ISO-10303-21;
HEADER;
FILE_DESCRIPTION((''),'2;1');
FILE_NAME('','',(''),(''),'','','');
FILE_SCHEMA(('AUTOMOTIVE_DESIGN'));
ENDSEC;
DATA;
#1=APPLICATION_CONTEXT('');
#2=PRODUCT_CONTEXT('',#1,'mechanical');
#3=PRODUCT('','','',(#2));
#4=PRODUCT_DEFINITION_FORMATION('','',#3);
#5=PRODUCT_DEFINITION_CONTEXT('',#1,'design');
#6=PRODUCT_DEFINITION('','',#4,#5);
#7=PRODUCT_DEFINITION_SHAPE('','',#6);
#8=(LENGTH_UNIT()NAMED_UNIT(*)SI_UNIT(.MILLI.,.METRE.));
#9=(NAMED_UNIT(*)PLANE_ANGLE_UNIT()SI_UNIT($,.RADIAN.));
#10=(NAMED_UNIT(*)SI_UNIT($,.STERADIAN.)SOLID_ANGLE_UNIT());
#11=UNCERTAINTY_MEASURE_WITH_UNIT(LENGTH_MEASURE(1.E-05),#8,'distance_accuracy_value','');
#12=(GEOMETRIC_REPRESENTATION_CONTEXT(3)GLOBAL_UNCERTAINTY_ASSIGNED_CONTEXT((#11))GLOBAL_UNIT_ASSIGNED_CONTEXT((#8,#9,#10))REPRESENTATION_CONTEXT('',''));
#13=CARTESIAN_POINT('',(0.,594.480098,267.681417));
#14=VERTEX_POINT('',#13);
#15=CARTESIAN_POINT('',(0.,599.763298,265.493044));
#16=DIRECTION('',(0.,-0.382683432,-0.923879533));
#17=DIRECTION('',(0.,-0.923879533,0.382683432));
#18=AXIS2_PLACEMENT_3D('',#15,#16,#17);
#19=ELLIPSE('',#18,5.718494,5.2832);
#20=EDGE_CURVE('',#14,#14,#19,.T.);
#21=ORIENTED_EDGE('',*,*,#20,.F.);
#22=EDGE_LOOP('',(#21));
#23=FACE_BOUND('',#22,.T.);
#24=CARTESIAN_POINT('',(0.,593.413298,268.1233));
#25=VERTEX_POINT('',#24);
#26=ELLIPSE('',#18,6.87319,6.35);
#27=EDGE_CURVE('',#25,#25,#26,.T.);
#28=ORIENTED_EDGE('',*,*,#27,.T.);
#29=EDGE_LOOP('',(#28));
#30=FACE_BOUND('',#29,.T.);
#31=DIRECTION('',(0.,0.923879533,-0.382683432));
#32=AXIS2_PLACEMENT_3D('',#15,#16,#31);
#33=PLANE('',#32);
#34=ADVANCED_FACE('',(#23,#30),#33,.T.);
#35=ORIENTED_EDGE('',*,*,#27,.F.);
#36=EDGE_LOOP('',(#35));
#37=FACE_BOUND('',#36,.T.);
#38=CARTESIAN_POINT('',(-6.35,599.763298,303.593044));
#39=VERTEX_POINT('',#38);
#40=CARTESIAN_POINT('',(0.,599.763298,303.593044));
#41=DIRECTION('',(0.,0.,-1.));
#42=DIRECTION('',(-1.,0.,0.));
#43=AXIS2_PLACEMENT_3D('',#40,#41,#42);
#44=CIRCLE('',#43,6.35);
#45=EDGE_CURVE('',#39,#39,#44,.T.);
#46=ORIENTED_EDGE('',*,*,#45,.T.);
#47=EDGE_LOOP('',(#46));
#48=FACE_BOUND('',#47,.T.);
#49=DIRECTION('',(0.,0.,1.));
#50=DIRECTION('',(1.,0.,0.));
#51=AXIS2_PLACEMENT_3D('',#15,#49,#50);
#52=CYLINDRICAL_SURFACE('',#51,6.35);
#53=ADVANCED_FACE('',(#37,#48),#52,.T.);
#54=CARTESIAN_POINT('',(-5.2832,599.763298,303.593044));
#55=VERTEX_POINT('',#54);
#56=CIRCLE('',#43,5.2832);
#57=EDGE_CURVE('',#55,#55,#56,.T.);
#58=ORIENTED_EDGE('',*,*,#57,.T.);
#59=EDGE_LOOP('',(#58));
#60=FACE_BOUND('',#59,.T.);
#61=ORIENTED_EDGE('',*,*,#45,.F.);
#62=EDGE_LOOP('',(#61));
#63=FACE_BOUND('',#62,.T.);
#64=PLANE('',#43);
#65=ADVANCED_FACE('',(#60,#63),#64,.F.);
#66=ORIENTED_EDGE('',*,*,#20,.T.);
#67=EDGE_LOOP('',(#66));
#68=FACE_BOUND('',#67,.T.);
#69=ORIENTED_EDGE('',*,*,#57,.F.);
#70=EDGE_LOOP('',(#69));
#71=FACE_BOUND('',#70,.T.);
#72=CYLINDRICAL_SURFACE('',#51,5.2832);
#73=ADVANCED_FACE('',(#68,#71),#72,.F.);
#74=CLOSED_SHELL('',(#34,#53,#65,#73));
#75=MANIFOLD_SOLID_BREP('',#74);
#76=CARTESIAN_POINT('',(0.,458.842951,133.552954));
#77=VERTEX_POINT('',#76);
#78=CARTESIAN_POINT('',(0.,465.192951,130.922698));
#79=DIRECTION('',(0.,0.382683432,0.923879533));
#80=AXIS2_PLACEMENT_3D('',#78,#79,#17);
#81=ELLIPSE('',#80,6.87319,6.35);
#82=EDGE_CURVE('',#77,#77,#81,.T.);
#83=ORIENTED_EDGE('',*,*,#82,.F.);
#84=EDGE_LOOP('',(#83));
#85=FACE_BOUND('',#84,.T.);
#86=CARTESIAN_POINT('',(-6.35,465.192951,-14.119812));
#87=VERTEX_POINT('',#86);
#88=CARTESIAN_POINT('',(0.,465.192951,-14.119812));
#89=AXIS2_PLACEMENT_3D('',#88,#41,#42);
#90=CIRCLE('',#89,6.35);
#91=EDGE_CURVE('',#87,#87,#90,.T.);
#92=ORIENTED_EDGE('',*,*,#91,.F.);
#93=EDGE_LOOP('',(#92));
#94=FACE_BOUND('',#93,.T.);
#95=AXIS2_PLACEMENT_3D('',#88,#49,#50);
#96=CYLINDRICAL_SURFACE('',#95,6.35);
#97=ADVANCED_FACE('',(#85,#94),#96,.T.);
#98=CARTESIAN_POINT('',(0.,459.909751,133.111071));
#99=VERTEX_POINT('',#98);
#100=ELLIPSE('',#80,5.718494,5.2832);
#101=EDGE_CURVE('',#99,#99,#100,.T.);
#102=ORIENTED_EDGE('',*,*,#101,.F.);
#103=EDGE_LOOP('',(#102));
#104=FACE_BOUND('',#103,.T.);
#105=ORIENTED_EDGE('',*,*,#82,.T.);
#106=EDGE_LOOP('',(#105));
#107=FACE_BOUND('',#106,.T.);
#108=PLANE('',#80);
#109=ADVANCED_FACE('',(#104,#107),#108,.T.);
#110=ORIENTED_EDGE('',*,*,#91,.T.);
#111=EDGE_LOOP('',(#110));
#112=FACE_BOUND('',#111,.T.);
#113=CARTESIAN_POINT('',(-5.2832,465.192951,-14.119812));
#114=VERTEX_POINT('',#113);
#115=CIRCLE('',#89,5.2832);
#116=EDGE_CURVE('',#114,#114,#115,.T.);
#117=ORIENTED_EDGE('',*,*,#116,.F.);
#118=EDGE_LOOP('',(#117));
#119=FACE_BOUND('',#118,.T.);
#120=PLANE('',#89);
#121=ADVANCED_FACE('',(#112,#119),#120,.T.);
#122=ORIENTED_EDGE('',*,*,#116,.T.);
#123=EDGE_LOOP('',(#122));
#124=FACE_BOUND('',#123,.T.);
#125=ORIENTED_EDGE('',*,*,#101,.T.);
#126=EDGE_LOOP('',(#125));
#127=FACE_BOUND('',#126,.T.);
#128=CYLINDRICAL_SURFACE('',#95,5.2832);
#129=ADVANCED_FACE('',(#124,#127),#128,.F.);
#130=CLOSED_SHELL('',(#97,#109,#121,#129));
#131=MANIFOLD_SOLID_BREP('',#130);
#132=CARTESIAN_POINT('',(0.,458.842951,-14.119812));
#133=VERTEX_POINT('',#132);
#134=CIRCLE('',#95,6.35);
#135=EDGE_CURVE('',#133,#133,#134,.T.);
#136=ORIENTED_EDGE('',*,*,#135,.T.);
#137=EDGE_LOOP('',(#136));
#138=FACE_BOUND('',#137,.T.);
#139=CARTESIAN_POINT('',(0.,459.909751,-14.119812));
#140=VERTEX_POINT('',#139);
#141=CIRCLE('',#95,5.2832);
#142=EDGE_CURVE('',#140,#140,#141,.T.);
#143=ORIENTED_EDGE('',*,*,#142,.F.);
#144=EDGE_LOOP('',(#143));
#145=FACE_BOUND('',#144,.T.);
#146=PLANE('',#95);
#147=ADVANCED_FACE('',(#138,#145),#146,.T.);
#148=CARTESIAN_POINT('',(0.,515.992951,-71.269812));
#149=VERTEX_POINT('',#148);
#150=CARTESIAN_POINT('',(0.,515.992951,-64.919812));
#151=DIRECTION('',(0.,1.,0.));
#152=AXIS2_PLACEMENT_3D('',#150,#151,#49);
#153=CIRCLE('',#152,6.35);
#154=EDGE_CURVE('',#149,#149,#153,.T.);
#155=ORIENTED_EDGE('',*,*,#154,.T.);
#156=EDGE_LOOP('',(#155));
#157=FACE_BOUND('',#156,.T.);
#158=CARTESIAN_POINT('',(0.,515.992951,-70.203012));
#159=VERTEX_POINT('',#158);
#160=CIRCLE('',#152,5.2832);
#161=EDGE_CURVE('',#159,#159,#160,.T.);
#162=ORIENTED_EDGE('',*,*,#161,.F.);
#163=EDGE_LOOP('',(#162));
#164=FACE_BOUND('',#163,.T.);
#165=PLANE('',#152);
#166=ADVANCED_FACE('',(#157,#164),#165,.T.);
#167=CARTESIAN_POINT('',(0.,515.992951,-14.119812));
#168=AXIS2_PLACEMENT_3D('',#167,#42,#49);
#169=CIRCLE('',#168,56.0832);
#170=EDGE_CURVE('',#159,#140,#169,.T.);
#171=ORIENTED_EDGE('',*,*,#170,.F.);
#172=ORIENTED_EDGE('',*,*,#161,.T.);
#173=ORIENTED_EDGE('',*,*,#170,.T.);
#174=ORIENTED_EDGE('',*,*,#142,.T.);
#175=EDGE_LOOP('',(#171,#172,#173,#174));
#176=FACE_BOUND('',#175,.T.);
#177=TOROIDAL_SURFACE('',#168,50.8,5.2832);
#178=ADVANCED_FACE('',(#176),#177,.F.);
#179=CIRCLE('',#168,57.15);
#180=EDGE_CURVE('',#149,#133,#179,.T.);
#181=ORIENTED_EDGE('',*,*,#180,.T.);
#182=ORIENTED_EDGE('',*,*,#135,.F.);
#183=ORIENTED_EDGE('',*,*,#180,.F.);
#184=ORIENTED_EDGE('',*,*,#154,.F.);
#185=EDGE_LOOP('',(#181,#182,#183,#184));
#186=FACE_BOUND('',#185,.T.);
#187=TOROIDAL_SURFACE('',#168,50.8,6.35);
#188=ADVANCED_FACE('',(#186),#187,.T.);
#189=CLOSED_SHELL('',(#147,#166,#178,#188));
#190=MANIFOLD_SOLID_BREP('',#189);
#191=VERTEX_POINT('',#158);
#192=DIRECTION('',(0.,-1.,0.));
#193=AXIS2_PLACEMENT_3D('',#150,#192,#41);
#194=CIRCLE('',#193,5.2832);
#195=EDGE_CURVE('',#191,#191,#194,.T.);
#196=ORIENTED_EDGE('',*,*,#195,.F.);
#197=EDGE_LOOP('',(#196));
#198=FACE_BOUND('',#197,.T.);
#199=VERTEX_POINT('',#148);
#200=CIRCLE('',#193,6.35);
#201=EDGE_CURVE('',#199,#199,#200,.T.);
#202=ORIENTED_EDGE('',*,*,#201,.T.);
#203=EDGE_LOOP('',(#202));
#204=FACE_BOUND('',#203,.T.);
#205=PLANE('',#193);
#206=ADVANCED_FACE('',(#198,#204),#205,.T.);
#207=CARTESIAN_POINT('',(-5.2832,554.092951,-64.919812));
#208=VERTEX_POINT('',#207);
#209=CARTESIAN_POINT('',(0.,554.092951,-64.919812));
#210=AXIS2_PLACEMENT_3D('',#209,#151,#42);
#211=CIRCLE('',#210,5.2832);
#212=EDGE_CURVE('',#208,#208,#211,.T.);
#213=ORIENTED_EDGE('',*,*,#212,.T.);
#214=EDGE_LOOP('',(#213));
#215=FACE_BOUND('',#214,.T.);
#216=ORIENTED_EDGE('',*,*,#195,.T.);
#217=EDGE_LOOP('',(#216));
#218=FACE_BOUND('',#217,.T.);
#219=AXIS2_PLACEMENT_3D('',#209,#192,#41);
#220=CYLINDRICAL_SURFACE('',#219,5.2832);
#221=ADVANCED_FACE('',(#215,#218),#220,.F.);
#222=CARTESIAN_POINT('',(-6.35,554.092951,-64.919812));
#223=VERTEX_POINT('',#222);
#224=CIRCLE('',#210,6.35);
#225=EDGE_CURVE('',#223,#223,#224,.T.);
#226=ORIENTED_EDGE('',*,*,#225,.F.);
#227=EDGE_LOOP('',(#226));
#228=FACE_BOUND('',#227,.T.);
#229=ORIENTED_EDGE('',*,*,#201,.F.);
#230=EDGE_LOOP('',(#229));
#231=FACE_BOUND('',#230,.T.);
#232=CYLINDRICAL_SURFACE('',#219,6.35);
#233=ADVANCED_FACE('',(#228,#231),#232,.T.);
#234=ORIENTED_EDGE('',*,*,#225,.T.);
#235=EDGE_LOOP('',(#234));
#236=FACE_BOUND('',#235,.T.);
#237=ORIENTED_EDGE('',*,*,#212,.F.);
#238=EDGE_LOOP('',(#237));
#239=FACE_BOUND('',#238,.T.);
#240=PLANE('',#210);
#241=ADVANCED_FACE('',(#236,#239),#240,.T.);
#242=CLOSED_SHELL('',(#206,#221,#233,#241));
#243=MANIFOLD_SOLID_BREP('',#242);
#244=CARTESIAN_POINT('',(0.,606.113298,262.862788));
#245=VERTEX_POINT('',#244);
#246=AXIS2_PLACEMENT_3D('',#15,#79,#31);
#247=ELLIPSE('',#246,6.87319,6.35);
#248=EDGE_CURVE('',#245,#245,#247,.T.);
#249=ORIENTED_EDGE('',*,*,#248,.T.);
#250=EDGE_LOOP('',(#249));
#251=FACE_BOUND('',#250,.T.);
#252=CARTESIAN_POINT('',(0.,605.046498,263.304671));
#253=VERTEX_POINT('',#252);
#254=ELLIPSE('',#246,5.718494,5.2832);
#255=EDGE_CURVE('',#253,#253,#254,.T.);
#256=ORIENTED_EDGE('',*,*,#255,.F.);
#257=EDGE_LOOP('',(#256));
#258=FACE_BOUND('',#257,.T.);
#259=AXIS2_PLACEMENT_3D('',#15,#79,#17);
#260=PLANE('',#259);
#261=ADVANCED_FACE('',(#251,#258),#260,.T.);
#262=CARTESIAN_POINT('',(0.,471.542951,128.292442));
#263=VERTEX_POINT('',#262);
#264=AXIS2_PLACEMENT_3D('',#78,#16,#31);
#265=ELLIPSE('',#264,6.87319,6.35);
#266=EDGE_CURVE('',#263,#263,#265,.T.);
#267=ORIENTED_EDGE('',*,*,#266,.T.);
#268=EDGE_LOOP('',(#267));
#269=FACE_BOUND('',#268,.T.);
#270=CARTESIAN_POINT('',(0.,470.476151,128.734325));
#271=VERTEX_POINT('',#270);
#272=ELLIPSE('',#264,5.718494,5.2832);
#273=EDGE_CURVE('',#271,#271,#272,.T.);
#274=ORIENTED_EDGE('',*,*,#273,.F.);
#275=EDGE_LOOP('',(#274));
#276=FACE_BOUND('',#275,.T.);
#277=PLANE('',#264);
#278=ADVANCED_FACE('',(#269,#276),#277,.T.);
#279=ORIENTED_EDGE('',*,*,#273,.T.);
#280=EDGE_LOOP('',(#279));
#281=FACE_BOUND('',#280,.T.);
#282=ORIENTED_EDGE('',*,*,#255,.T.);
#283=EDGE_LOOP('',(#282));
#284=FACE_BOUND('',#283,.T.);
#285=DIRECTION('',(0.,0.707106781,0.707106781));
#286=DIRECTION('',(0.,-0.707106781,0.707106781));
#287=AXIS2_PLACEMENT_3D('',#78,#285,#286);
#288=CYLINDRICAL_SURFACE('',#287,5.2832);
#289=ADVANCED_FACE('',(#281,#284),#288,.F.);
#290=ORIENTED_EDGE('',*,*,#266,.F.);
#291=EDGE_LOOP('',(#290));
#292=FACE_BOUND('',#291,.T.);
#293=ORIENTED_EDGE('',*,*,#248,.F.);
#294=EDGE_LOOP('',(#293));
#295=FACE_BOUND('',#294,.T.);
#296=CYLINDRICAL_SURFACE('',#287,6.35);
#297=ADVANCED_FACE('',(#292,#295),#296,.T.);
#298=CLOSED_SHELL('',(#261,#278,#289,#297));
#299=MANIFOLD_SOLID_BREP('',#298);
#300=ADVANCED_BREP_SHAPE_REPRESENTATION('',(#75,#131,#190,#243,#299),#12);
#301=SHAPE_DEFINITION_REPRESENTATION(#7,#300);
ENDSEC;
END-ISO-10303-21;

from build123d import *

# Parameters (mm, degrees)
SKETCH11_R                = 6.35
SKETCH11_R_2              = 5.2832
PIPE_0_5_SCH_40_1_DEPTH   = 42.819743879
SKETCH11_ON_SEGMENT_2_R   = 6.35
SKETCH11_ON_SEGMENT_2_R_2 = 5.2832
PIPE_0_5_SCH_40_1_2_DEPTH = 199.75069677
SKETCH11_ON_SEGMENT_3_R   = 6.35
SKETCH11_ON_SEGMENT_3_R_2 = 5.2832
PIPE_0_5_SCH_40_1_3_DEPTH = 149.762254009
SKETCH11_ON_SEGMENT_4_R   = 6.35
SKETCH11_ON_SEGMENT_4_R_2 = 5.2832
PIPE_0_5_SCH_40_1_4_ANGLE = 90
SKETCH11_ON_SEGMENT_5_R   = 6.35
SKETCH11_ON_SEGMENT_5_R_2 = 5.2832
PIPE_0_5_SCH_40_1_5_DEPTH = 38.1


with BuildPart() as part:
    # Sketch11 → Pipe 0.5 SCH 40(1) (new body)
    with BuildSketch(Plane(origin=(0, 599.763297601, 303.593044312), x_dir=(0, 1, 0), z_dir=(0, 0, -1))):
        Circle(SKETCH11_R)
        Circle(SKETCH11_R_2, mode=Mode.SUBTRACT)
    extrude(amount=PIPE_0_5_SCH_40_1_DEPTH)

    # Pipe 0.5 SCH 40(1) mitre 1
    split(bisect_by=Plane(origin=(0, 599.763297601, 265.493044312), x_dir=(0, -0.923879533, 0.382683432), z_dir=(0, 0.382683432, 0.923879533)), keep=Keep.TOP)


with BuildPart() as body_2:
    # Sketch11 on segment 2 (carried to segment 2) → Pipe 0.5 SCH 40_1 2 (new body)
    with BuildSketch(Plane(origin=(0, 603.100660503, 268.830407214), x_dir=(0, 0.707106781, -0.707106781), z_dir=(0, -0.707106781, -0.707106781))):
        Circle(SKETCH11_ON_SEGMENT_2_R)
        Circle(SKETCH11_ON_SEGMENT_2_R_2, mode=Mode.SUBTRACT)
    extrude(amount=PIPE_0_5_SCH_40_1_2_DEPTH)

    # Pipe 0.5 SCH 40_1 2 mitre 1
    split(bisect_by=Plane(origin=(0, 599.763297601, 265.493044312), x_dir=(0, 0.923879533, -0.382683432), z_dir=(0, -0.382683432, -0.923879533)), keep=Keep.TOP)

    # Pipe 0.5 SCH 40_1 2 mitre 2
    split(bisect_by=Plane(origin=(0, 465.192951173, 130.922697884), x_dir=(0, -0.923879533, 0.382683432), z_dir=(0, 0.382683432, 0.923879533)), keep=Keep.TOP)


with BuildPart() as body_3:
    # Sketch11 on segment 3 (carried to segment 3) → Pipe 0.5 SCH 40_1 3 (new body)
    with BuildSketch(Plane(origin=(0, 465.192951173, 135.642441763), x_dir=(0, 1, 0), z_dir=(0, 0, -1))):
        Circle(SKETCH11_ON_SEGMENT_3_R)
        Circle(SKETCH11_ON_SEGMENT_3_R_2, mode=Mode.SUBTRACT)
    extrude(amount=PIPE_0_5_SCH_40_1_3_DEPTH)

    # Pipe 0.5 SCH 40_1 3 mitre 1
    split(bisect_by=Plane(origin=(0, 465.192951173, 130.922697884), x_dir=(0, 0.923879533, -0.382683432), z_dir=(0, -0.382683432, -0.923879533)), keep=Keep.TOP)


with BuildPart() as body_4:
    # Sketch11 on segment 4 (carried to the start of arc 4) → Pipe 0.5 SCH 40_1 4 (revolve)
    with BuildSketch(Plane(origin=(0, 465.192951173, -14.119812247), x_dir=(0, 1, 0), z_dir=(0, 0, -1))):
        Circle(SKETCH11_ON_SEGMENT_4_R)
        Circle(SKETCH11_ON_SEGMENT_4_R_2, mode=Mode.SUBTRACT)
    revolve(axis=Axis((0, 515.992951173, -14.119812247), (1, 0, 0)), revolution_arc=PIPE_0_5_SCH_40_1_4_ANGLE)


with BuildPart() as body_5:
    # Sketch11 on segment 5 (carried to segment 5) → Pipe 0.5 SCH 40_1 5 (new body)
    with BuildSketch(Plane(origin=(0, 554.092951173, -64.919812247), x_dir=(0, 0, -1), z_dir=(0, -1, 0))):
        Circle(SKETCH11_ON_SEGMENT_5_R)
        Circle(SKETCH11_ON_SEGMENT_5_R_2, mode=Mode.SUBTRACT)
    extrude(amount=PIPE_0_5_SCH_40_1_5_DEPTH)


solid = Compound([part.part, body_2.part, body_3.part, body_4.part, body_5.part])
